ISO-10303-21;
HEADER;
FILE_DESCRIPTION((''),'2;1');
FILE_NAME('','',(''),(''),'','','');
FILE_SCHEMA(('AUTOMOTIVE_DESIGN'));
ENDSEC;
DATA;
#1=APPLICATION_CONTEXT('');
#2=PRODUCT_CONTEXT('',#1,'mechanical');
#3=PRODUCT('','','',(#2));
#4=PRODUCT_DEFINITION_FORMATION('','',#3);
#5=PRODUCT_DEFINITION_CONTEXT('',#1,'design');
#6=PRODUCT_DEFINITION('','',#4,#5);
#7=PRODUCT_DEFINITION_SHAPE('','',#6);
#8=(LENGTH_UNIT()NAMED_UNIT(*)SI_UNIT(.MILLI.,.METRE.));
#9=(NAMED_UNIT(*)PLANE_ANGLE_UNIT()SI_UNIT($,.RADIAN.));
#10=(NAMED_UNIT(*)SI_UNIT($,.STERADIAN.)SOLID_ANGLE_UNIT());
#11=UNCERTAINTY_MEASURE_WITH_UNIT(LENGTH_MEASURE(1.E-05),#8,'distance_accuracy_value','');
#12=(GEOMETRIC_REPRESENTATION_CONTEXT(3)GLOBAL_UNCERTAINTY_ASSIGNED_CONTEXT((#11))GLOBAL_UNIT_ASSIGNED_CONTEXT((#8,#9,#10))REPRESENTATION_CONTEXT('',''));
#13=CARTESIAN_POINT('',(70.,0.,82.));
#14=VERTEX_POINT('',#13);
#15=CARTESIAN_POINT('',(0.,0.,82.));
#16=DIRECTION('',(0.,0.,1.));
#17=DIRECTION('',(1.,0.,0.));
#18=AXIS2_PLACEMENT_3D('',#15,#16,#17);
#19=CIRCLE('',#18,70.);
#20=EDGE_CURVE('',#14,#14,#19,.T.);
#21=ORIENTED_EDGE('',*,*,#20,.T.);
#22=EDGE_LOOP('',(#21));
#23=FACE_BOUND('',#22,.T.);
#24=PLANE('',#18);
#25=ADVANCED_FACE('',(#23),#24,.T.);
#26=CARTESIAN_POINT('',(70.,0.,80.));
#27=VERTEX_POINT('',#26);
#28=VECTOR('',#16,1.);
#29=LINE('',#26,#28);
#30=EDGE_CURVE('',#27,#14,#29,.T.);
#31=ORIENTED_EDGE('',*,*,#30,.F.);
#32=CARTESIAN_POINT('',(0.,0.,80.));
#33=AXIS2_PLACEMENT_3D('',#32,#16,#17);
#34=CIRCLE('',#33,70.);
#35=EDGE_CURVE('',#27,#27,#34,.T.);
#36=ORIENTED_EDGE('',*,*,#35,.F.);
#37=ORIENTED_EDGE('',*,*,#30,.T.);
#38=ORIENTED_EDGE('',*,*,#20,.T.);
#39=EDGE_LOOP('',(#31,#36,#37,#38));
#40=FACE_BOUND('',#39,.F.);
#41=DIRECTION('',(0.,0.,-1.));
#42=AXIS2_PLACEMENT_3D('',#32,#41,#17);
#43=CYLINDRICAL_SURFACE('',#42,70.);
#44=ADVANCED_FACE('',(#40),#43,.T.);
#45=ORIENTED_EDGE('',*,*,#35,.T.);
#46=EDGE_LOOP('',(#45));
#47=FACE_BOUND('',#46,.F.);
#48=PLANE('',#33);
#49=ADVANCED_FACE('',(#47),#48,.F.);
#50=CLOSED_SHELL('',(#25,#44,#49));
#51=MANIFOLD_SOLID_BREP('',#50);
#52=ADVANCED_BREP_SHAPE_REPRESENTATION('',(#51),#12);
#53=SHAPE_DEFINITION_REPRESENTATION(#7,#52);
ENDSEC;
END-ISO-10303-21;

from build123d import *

# Parameters (mm, degrees)
SKETCH3_R           = 70
BOSS_EXTRUDE1_DEPTH = 2


with BuildPart() as part:
    # Sketch3 → Boss-Extrude1 (new body)
    with BuildSketch(Plane.XY.offset(80)):
        Circle(SKETCH3_R)
    extrude(amount=BOSS_EXTRUDE1_DEPTH)


solid = part.part
